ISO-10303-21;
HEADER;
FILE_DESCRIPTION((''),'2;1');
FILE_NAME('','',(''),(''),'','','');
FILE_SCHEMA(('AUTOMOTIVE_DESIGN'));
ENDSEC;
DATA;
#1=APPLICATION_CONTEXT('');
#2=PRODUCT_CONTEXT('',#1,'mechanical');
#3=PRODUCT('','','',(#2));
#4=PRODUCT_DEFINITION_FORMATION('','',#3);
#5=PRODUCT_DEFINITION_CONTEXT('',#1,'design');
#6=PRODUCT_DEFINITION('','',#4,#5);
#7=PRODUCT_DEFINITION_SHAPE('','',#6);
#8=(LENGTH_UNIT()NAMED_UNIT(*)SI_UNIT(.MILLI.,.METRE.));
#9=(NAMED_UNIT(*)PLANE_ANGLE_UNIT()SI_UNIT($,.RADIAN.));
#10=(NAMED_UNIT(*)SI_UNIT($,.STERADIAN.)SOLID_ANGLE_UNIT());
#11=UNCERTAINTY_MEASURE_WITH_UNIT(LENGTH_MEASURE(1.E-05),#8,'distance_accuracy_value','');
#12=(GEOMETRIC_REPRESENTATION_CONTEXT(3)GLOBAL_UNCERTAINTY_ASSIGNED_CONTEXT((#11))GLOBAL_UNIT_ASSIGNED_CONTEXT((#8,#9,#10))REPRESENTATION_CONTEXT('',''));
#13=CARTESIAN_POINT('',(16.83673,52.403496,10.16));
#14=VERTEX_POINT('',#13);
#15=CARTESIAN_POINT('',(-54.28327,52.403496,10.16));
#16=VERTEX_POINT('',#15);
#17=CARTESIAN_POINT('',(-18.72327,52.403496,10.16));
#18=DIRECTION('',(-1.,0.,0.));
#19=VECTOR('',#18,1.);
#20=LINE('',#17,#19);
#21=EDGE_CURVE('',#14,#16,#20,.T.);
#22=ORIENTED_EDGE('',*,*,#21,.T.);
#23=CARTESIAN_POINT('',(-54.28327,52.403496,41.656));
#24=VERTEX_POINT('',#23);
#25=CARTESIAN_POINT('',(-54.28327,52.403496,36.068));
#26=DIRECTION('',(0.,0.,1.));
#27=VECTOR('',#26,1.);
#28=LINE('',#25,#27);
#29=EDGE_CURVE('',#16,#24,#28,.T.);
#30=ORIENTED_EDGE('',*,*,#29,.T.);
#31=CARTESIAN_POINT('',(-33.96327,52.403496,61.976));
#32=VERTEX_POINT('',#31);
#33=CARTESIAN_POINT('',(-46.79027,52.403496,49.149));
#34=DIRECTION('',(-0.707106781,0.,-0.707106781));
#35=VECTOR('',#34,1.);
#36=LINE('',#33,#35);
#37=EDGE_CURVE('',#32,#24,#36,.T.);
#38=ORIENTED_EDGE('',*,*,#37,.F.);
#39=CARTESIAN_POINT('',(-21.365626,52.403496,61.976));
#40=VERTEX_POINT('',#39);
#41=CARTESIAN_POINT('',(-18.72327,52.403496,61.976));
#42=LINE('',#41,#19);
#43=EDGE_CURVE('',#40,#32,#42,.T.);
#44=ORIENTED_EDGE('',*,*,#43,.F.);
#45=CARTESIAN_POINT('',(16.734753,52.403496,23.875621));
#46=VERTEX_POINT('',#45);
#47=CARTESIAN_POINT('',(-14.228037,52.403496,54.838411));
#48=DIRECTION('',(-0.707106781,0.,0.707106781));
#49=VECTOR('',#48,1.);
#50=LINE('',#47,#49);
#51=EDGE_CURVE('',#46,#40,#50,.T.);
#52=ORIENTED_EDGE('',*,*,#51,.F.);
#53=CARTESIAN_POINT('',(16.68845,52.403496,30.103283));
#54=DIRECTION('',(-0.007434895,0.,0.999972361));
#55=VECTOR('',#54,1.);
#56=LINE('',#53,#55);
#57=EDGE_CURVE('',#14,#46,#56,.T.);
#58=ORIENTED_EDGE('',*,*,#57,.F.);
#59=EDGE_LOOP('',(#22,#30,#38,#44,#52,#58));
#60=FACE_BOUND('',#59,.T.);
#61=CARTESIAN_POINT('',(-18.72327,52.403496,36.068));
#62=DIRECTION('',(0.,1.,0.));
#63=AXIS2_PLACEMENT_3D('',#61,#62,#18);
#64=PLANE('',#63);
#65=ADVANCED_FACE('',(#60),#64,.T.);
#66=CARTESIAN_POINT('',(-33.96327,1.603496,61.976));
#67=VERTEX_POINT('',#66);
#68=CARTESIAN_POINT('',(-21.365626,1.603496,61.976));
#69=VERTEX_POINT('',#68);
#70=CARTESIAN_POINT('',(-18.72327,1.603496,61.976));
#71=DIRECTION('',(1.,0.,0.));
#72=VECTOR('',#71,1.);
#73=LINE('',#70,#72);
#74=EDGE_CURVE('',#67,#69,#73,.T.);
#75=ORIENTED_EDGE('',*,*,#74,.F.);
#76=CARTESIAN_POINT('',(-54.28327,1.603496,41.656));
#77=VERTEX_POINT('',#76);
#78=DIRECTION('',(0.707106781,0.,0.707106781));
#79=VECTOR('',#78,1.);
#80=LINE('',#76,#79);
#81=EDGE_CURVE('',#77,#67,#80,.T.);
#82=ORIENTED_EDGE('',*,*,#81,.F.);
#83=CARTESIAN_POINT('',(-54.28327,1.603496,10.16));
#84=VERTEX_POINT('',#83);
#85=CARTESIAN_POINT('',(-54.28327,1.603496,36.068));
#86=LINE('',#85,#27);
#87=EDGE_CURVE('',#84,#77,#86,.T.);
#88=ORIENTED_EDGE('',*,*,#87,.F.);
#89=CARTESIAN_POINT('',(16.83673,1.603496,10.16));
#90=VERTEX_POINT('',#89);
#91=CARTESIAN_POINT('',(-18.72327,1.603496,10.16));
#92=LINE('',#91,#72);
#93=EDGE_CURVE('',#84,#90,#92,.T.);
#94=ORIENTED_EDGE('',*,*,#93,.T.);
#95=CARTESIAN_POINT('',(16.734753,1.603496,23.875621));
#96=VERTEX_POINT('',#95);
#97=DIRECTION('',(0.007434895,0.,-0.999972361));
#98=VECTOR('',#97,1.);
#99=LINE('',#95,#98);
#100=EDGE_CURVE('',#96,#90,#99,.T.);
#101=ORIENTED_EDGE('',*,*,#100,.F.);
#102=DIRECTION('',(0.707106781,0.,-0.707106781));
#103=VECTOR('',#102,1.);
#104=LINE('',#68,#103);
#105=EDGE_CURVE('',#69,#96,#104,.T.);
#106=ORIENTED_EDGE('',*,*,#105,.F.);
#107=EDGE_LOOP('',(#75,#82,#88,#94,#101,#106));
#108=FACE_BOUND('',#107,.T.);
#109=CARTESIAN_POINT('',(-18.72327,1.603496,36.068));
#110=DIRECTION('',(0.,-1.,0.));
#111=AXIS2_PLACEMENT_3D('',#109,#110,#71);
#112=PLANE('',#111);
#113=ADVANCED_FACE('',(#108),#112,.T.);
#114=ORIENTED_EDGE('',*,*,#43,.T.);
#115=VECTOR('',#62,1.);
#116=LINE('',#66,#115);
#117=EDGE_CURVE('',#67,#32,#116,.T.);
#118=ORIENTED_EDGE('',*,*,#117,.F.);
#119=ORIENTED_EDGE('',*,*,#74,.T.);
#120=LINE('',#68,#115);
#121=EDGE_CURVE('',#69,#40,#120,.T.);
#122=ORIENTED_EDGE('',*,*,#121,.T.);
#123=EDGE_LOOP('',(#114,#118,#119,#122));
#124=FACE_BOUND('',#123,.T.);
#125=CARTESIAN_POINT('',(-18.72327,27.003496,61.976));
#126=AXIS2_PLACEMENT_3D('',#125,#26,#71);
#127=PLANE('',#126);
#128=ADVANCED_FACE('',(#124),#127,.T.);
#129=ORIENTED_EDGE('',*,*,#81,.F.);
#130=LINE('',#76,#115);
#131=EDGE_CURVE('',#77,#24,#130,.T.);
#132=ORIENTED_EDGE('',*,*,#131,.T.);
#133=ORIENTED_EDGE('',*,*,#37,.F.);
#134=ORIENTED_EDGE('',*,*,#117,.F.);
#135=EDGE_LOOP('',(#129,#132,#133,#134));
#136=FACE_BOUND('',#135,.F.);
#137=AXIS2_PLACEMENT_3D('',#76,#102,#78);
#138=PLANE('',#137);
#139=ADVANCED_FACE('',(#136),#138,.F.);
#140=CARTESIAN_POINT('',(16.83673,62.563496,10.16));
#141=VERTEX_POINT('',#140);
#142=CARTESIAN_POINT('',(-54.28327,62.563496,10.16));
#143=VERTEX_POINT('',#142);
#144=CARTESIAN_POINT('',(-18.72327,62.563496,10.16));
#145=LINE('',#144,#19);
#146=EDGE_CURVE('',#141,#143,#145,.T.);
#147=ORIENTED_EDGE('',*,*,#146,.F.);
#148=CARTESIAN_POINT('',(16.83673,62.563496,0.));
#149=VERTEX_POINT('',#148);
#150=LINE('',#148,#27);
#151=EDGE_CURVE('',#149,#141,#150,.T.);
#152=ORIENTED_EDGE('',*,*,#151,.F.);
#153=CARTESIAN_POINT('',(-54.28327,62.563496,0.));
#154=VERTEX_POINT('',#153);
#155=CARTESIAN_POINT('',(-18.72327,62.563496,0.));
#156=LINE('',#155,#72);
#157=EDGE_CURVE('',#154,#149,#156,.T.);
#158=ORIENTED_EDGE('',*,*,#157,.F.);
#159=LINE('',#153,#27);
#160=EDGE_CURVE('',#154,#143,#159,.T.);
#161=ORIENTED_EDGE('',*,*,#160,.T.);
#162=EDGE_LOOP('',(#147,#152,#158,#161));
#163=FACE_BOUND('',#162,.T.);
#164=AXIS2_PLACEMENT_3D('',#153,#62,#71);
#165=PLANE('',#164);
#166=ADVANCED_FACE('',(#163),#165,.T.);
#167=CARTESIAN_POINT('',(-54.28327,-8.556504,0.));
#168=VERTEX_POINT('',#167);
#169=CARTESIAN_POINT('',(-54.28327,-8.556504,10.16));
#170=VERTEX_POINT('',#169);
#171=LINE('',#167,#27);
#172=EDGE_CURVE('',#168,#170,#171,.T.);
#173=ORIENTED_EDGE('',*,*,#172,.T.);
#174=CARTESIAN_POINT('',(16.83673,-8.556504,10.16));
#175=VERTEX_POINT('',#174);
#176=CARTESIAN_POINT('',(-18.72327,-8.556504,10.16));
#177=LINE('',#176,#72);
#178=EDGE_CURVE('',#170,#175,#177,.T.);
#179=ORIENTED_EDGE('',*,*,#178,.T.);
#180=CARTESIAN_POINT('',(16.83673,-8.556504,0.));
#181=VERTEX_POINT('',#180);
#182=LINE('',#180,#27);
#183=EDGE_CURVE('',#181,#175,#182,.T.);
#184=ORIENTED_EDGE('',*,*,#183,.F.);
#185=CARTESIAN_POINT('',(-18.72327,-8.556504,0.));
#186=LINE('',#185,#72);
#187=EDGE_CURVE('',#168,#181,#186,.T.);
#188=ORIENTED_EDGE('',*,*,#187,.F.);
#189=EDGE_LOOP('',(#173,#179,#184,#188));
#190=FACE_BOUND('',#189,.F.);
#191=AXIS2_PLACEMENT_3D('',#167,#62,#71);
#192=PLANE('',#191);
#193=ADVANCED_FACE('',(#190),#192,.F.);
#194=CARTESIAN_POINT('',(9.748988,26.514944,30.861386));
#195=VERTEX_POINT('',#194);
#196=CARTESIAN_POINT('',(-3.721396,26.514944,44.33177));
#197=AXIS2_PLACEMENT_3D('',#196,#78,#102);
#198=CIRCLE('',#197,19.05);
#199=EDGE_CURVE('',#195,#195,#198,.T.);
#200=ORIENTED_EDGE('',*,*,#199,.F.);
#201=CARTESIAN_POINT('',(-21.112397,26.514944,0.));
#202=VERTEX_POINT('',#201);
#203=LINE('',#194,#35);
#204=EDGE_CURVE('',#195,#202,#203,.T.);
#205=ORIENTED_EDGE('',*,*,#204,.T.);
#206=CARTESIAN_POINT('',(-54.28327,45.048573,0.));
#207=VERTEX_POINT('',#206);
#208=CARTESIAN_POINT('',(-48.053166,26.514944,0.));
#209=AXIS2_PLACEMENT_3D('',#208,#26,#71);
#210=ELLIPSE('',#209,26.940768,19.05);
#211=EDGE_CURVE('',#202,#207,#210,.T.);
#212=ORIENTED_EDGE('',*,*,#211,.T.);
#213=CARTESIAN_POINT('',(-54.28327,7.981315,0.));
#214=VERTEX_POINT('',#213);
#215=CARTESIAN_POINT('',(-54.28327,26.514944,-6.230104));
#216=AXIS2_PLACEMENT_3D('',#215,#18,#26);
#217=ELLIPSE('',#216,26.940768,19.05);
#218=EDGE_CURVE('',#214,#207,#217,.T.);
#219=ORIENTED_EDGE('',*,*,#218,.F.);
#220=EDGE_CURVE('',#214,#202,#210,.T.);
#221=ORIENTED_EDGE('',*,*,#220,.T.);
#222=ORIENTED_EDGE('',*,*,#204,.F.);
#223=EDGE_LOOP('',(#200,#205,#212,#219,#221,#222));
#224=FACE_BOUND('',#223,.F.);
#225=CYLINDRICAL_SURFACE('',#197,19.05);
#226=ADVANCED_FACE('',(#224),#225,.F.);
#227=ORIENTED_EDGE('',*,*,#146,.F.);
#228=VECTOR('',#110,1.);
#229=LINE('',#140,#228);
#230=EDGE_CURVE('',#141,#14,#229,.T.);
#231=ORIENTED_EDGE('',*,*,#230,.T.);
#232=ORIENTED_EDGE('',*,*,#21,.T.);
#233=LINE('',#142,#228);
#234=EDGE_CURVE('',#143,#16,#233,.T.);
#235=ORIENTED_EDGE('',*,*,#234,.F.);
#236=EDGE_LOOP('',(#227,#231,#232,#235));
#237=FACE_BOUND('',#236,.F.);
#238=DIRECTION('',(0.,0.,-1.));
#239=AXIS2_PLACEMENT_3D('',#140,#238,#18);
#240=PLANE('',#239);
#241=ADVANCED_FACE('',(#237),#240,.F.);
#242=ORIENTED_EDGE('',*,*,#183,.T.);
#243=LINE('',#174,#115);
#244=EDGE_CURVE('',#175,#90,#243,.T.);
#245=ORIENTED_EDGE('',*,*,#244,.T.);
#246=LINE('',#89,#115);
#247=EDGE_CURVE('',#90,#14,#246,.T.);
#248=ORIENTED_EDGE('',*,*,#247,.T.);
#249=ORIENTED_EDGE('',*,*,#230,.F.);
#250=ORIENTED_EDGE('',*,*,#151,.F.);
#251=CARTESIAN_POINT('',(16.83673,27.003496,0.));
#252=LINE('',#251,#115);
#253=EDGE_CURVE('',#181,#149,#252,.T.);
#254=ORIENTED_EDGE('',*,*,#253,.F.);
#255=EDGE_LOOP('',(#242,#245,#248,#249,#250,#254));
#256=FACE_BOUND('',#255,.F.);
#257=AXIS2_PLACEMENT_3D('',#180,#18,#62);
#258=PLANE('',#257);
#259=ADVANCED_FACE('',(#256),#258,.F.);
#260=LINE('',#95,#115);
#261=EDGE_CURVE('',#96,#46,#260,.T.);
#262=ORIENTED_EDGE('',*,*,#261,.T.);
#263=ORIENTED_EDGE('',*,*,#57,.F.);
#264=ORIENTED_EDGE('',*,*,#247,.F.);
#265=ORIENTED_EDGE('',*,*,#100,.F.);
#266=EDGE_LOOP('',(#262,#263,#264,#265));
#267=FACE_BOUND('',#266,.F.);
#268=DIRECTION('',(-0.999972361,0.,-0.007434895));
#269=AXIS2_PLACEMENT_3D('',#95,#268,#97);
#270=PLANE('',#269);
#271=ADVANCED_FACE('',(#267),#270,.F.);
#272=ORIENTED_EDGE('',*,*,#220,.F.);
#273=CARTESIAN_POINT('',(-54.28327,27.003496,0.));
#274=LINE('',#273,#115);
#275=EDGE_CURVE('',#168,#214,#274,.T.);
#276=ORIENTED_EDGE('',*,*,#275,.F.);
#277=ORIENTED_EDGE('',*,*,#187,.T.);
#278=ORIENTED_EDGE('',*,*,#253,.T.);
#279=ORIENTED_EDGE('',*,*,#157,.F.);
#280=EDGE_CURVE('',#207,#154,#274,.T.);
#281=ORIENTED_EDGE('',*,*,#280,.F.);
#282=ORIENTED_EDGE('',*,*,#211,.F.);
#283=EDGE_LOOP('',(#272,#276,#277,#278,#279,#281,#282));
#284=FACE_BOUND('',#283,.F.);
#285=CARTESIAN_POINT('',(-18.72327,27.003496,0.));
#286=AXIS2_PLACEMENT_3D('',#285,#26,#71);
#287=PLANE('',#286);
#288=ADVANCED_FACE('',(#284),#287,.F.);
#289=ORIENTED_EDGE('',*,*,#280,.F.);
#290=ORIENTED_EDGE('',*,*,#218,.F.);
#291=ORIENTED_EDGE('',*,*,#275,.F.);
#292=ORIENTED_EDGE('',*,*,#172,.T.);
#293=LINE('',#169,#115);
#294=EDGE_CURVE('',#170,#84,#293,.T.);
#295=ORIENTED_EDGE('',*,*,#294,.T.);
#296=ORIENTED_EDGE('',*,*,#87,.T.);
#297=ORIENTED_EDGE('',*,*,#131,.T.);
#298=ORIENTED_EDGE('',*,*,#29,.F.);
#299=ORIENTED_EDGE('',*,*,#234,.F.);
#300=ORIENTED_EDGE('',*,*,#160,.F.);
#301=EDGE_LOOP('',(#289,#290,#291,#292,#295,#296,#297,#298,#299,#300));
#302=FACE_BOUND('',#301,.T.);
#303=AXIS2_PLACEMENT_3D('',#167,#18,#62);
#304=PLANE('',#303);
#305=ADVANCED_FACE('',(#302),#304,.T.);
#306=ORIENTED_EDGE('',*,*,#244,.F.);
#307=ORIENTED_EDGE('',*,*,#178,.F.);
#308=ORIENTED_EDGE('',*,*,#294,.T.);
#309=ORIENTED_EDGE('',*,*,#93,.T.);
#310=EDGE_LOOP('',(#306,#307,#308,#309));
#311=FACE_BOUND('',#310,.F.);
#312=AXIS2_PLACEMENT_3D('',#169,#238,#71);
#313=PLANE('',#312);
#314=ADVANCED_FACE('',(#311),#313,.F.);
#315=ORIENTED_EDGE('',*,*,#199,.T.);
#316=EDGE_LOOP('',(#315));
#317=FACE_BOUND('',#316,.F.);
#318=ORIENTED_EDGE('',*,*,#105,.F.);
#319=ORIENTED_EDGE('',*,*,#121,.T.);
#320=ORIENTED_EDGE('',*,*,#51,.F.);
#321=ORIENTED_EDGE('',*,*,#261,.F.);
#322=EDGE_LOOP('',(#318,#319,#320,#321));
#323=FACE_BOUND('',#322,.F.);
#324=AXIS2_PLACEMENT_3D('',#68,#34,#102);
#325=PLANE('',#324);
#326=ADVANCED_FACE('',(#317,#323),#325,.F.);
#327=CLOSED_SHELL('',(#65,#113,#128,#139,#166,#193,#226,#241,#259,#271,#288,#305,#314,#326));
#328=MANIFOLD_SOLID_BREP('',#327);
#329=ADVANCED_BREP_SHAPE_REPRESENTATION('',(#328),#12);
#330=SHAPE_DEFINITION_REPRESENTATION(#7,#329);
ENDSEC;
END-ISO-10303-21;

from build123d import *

# Parameters (mm, degrees)
F0_W      = 71.12
F0_H      = 71.12
F1_DEPTH  = 61.976
F2_W      = 71.12
F2_H      = 51.816
F3_DEPTH  = 10.16
F4_W      = 71.12
F4_H      = 51.816
F5_DEPTH  = 10.16
F7_DEPTH  = 76.2
F9_DEPTH  = 76.2
F10_R     = 19.05
F11_DEPTH = 76.2


with BuildPart() as f1:
    # F0 (on Top) → F1 (new body)
    with BuildSketch(Plane.XY):
        with Locations((-18.7232699245, 27.0034961376)):
            Rectangle(F0_W, F0_H)
    extrude(amount=F1_DEPTH)

    # F2 (on face) → F3 (cut)
    with BuildSketch(Plane.XZ.offset(8.5565038624)):
        with Locations((-18.7232699245, 36.068)):
            Rectangle(F2_W, F2_H)
    extrude(amount=-F3_DEPTH, mode=Mode.SUBTRACT)

    # F4 (on face) → F5 (cut)
    with BuildSketch(Plane(origin=(0, 62.5634961376, 0), x_dir=(-1, 0, 0), z_dir=(0, 1, 0))):
        with Locations((18.7232699245, 36.068)):
            Rectangle(F4_W, F4_H)
    extrude(amount=-F5_DEPTH, mode=Mode.SUBTRACT)

    # F6 (on face) → F7 (cut)
    with BuildSketch(Plane.XZ.offset(-1.6034961376)):
        Polygon((-33.9632699245, 61.976), (-54.2832699245, 61.976), (-54.2832699245, 41.656), align=None)
    extrude(amount=-F7_DEPTH, mode=Mode.SUBTRACT)

    # F8 (on face) → F9 (cut)
    with BuildSketch(Plane.XZ.offset(-1.6034961376)):
        Polygon((-21.3656260499, 61.976), (16.7347530496, 23.8756209005), (16.8367300755, 10.16), (16.8367300755, 61.976), align=None)
    extrude(amount=-F9_DEPTH, mode=Mode.SUBTRACT)

    # F10 (on face) → F11 (cut)
    with BuildSketch(Plane(origin=(20.3051869751, 0, 20.3051869751), x_dir=(0.7071067812, 0, -0.7071067812), z_dir=(0.7071067812, 0, 0.7071067812))):
        with Locations((-33.9787192643, 26.5149436891)):
            Circle(F10_R)
    extrude(amount=-F11_DEPTH, mode=Mode.SUBTRACT)


solid = f1.part
